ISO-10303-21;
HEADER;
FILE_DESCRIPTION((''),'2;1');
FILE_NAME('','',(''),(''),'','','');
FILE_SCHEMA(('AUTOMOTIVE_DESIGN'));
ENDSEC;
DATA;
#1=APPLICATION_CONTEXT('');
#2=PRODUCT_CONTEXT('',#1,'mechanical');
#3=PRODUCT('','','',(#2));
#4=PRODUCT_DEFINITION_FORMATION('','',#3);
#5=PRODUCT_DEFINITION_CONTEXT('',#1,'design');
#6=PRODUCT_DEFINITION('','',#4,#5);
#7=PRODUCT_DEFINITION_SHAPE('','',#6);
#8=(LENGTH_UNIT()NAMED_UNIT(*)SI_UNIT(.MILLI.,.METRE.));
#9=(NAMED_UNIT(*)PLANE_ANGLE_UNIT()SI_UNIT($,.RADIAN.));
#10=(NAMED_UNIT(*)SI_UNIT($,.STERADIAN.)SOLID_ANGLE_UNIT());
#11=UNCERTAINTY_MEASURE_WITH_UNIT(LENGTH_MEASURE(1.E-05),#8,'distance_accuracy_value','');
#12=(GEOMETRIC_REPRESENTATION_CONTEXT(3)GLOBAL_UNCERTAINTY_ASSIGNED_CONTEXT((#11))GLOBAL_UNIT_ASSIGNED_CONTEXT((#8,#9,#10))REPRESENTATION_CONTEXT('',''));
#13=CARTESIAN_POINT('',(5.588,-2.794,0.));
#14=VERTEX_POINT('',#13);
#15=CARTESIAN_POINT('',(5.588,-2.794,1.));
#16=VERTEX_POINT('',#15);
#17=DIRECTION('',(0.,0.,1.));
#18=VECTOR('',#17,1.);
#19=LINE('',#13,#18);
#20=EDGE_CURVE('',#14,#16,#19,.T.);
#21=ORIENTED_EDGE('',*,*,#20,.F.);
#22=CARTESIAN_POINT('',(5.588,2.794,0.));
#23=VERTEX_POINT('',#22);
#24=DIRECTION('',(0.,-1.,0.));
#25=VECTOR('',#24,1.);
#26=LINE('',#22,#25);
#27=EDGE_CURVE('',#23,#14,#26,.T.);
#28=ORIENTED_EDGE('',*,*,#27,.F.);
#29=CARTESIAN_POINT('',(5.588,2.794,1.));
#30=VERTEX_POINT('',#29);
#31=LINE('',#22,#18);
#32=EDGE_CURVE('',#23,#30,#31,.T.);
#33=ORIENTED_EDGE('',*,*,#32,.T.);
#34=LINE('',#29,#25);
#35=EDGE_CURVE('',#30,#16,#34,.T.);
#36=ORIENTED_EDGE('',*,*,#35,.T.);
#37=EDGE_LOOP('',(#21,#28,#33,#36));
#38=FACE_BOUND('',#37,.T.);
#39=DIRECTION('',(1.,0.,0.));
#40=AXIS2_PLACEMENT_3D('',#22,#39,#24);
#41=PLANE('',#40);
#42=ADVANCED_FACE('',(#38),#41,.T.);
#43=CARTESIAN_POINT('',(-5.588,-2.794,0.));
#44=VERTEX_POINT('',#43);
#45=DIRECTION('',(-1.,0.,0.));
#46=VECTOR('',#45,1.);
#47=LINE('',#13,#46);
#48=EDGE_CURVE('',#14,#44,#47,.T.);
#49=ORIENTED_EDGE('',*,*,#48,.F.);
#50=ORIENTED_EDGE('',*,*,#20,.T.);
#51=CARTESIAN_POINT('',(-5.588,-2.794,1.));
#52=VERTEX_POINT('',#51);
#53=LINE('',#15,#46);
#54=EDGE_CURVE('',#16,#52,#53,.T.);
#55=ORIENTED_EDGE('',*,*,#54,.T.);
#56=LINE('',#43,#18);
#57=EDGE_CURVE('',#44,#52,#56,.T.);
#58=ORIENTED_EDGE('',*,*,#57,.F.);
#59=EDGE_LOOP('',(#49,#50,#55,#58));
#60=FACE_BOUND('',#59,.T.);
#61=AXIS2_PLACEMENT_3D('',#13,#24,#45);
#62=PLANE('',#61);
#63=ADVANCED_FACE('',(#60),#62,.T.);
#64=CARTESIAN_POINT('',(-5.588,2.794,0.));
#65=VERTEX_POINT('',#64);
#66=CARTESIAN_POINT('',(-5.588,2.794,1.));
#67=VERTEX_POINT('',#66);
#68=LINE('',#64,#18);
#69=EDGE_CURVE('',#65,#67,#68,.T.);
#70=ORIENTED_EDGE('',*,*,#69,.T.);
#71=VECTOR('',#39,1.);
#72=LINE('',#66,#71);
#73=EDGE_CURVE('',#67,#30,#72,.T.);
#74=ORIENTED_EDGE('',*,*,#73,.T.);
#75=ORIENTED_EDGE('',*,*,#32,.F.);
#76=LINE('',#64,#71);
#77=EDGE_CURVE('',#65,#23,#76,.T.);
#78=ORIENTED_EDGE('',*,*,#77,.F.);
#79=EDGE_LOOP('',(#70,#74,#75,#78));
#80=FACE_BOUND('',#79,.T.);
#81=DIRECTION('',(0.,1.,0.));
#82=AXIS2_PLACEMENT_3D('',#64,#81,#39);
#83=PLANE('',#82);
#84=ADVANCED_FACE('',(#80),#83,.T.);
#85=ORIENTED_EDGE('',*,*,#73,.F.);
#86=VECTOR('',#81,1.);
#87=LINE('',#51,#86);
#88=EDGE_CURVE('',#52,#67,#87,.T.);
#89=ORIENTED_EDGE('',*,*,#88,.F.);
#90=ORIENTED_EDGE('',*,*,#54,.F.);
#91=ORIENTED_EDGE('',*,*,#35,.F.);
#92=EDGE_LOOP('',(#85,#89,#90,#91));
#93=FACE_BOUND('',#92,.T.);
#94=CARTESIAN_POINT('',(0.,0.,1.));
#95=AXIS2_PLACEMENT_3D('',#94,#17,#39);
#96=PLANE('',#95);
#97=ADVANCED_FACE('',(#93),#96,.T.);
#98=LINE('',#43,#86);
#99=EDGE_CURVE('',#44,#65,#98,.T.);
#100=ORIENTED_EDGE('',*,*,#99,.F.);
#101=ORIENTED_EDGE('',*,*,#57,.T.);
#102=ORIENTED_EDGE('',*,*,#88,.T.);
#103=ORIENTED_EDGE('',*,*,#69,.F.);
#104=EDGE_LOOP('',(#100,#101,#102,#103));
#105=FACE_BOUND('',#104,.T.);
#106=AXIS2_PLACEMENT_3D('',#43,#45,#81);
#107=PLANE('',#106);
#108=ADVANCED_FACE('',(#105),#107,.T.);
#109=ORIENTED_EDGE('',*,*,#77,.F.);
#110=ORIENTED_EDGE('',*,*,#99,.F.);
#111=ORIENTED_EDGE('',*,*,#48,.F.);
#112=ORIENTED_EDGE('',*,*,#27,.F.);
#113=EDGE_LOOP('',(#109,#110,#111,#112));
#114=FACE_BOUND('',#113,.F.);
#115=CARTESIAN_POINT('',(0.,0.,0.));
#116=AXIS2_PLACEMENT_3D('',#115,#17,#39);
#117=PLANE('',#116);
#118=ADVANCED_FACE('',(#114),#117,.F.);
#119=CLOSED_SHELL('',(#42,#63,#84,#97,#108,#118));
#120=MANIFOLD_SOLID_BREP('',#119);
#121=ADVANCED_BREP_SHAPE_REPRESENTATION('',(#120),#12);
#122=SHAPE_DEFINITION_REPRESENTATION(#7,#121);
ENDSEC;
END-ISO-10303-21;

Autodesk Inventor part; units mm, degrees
ref_plane "YZ Plane" through (0, 0, 0) normal (1, 0, 0) x (0, 1, 0)
ref_plane "XZ Plane" through (0, 0, 0) normal (0, 1, 0) x (-1, 0, 0)
ref_plane "XY Plane" through (0, 0, 0) normal (0, 0, 1) x (1, 0, 0)
sketch "HC49U-V, 7_68MHZ_85" plane through (0, 0, 0) normal (0, 0, 1) x (1, 0, 0)
  line L0 (-5.588, 2.794) -> (5.588, 2.794)
  line L1 (5.588, 2.794) -> (5.588, -2.794)
  line L2 (5.588, -2.794) -> (-5.588, -2.794)
  line L3 (-5.588, -2.794) -> (-5.588, 2.794)
extrude "Extrusion1" add sketch "HC49U-V, 7_68MHZ_85" along normal blind 1
properties part number "7_68MHZ"
